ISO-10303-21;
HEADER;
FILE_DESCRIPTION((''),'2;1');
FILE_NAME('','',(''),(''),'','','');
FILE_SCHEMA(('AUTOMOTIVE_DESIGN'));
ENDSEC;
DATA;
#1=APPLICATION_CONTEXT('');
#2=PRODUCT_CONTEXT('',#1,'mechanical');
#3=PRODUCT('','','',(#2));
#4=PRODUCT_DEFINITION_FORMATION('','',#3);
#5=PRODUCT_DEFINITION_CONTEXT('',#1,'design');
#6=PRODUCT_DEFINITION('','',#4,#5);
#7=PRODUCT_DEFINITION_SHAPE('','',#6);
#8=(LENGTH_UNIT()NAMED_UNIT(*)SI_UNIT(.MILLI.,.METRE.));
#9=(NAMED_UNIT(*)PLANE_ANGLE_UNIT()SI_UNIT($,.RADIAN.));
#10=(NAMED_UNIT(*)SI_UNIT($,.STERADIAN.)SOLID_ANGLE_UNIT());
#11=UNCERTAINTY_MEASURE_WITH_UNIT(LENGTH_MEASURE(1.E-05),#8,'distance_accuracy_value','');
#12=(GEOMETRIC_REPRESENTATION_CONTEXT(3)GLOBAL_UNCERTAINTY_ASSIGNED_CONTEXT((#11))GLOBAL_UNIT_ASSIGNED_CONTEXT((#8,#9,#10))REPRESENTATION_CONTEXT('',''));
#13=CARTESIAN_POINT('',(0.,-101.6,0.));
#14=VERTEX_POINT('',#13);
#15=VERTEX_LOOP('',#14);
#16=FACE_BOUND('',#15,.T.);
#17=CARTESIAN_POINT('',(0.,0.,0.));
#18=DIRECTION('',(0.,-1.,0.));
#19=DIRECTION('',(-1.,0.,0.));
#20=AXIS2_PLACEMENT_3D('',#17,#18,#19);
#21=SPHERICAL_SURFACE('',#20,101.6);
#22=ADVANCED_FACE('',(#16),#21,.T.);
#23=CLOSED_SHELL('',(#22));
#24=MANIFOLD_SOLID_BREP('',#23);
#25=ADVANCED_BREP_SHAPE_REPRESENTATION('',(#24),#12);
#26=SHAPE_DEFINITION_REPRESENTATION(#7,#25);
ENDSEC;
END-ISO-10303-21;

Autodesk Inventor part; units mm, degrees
ref_plane "YZ Plane" through (0, 0, 0) normal (1, 0, 0) x (0, 1, 0)
ref_plane "XZ Plane" through (0, 0, 0) normal (0, 1, 0) x (-1, 0, 0)
ref_plane "XY Plane" through (0, 0, 0) normal (0, 0, 1) x (1, 0, 0)
sketch "Sketch1" plane through (0, 0, 0) normal (0, 0, 1) x (1, 0, 0)
  arc A0 (0, 101.6) -> (0, -101.6) centre (0, 0) ccw
  line L0 (0, 101.6) -> (0, -101.6)
  dimension "d0" = 203.2
  dimension "d0" = 203.2
revolve "Revolution1" add sketch "Sketch1" angle 360 about axis through (0, 101.6, 0) along (0, -1, 0)
properties part number "Uncompressed ball"
